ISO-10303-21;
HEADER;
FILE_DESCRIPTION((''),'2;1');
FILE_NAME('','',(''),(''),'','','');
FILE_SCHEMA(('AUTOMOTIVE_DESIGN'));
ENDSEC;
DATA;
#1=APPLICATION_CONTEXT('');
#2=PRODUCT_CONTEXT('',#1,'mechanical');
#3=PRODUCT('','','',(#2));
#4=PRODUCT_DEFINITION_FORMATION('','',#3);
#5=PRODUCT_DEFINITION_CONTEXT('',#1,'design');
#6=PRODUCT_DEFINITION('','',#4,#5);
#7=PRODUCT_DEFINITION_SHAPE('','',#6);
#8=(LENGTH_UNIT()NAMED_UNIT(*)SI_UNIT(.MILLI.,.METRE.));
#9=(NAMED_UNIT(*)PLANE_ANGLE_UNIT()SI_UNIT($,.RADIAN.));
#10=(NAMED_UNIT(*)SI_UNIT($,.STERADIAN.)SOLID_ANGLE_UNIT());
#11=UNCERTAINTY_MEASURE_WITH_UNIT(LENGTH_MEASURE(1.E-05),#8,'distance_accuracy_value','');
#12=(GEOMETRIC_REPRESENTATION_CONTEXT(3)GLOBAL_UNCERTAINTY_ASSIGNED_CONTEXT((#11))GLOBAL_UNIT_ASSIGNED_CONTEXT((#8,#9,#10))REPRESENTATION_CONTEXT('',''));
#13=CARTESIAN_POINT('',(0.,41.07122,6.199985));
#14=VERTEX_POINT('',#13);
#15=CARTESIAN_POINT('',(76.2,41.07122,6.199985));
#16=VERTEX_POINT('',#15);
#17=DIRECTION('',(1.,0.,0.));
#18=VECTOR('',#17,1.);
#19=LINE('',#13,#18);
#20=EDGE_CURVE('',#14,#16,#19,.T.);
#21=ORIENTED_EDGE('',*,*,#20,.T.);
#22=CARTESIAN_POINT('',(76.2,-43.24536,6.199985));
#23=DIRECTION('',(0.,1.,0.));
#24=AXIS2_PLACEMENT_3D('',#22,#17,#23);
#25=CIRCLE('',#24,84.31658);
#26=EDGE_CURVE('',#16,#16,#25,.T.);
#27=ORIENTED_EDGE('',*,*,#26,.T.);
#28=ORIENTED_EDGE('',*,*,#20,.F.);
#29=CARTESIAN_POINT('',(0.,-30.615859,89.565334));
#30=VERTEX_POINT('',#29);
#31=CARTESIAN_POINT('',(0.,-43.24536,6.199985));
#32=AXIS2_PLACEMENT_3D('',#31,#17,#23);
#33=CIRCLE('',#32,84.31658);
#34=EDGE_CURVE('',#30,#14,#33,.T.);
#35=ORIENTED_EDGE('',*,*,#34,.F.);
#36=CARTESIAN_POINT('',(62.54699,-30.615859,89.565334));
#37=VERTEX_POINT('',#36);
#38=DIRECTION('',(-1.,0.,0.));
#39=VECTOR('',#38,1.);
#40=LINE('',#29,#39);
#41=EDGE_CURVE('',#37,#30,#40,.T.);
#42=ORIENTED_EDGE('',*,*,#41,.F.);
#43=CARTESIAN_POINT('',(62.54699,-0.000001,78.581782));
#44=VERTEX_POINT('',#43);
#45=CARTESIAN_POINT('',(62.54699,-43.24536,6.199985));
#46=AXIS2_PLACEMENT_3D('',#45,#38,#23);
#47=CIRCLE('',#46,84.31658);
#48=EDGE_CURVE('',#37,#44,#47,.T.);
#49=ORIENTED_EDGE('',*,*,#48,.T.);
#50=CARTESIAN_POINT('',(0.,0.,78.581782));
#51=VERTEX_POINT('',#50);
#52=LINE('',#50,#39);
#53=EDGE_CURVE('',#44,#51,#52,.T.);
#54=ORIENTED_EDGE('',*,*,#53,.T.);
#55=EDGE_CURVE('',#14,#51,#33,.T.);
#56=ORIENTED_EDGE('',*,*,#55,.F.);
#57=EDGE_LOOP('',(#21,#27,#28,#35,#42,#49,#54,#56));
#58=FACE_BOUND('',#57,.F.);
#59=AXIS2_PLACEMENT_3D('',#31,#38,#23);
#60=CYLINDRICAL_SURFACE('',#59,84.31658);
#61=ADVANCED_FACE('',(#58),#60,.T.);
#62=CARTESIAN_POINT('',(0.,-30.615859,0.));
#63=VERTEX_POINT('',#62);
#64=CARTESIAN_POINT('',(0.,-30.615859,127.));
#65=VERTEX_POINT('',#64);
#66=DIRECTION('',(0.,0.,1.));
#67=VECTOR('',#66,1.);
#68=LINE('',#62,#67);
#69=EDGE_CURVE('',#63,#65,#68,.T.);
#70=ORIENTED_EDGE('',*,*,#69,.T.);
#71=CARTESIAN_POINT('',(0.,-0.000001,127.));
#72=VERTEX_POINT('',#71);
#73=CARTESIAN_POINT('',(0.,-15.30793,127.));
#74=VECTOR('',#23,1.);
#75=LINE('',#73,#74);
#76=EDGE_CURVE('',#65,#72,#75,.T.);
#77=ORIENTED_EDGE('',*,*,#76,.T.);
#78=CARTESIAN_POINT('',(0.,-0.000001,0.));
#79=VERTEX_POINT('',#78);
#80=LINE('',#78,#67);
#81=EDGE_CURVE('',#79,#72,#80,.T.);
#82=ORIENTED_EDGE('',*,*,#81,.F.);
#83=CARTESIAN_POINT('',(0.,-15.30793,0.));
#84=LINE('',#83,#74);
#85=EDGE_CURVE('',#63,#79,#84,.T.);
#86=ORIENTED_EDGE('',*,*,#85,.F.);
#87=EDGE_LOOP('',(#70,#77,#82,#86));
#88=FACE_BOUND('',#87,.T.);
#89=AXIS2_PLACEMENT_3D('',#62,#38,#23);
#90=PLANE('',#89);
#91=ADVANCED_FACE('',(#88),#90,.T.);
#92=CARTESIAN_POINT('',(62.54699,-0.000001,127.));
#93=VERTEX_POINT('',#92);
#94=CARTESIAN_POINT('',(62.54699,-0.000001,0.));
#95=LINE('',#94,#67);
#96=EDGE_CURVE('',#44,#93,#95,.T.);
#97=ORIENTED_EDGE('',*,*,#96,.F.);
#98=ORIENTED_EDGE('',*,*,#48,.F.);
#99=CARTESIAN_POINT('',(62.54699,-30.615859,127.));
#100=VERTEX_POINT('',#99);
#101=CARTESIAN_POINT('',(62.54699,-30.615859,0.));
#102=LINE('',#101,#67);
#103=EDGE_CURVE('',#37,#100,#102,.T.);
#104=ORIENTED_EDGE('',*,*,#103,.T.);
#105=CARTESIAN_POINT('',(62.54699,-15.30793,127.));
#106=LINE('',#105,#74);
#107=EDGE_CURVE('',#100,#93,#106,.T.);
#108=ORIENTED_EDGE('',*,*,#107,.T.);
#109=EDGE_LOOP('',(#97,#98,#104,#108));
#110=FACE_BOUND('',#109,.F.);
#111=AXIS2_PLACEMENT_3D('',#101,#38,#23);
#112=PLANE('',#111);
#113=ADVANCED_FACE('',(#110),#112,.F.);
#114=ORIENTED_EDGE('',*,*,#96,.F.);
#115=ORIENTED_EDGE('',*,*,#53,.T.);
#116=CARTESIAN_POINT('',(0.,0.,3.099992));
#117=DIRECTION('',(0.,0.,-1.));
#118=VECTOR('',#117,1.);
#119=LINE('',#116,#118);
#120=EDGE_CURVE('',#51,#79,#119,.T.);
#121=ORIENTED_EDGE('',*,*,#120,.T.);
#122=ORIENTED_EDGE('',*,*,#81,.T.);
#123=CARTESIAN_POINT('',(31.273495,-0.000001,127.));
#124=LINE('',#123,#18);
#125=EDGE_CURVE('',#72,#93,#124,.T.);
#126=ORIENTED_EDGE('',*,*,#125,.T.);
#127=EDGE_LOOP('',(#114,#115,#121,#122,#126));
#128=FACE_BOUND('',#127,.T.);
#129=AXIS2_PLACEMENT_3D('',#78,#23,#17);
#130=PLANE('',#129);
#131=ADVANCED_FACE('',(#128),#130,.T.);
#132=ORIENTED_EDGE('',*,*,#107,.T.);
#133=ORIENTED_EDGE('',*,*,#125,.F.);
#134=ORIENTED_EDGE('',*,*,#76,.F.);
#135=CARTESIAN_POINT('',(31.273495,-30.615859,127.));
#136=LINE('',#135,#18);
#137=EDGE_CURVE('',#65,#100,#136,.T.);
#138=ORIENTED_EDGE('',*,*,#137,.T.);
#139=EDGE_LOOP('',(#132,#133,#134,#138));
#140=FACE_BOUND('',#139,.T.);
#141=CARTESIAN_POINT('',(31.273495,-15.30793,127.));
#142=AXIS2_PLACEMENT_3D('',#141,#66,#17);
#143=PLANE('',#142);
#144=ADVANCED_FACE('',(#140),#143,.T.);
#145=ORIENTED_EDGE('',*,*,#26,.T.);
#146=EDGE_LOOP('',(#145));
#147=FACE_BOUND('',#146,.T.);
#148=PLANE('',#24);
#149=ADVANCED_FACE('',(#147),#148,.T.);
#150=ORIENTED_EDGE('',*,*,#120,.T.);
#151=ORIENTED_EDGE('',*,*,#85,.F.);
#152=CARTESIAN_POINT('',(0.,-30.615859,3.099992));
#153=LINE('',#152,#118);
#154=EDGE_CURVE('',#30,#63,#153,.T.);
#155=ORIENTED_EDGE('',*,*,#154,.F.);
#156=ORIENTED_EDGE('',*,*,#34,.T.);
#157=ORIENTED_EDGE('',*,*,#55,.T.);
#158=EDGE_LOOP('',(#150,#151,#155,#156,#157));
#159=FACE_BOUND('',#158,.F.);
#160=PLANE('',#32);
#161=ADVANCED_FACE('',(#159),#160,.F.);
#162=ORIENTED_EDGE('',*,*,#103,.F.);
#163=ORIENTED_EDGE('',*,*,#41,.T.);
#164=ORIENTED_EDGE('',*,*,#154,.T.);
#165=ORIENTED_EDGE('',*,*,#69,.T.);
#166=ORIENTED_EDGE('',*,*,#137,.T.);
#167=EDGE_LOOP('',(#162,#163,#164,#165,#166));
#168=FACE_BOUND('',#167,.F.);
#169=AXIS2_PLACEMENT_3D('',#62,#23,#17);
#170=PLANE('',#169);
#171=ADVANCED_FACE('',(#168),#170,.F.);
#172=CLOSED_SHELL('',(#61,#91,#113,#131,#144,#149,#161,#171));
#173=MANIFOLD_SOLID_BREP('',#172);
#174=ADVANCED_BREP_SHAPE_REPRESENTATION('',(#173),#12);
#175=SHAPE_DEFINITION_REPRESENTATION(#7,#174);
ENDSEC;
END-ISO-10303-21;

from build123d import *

# Parameters (mm, degrees)
F0_W     = 62.546991
F0_H     = 30.615859
F1_DEPTH = 127
F2_R     = 84.31658
F3_DEPTH = 76.2


with BuildPart() as f1:
    # F0 (on Top) → F1 (new body)
    with BuildSketch(Plane.XY):
        with Locations((31.273495, -15.30793)):
            Rectangle(F0_W, F0_H)
    extrude(amount=F1_DEPTH)

    # F2 (on Right) → F3 (join)
    with BuildSketch(Plane.YZ):
        with Locations((-43.24536, 6.199985)):
            Circle(F2_R)
    extrude(amount=F3_DEPTH)


solid = f1.part
